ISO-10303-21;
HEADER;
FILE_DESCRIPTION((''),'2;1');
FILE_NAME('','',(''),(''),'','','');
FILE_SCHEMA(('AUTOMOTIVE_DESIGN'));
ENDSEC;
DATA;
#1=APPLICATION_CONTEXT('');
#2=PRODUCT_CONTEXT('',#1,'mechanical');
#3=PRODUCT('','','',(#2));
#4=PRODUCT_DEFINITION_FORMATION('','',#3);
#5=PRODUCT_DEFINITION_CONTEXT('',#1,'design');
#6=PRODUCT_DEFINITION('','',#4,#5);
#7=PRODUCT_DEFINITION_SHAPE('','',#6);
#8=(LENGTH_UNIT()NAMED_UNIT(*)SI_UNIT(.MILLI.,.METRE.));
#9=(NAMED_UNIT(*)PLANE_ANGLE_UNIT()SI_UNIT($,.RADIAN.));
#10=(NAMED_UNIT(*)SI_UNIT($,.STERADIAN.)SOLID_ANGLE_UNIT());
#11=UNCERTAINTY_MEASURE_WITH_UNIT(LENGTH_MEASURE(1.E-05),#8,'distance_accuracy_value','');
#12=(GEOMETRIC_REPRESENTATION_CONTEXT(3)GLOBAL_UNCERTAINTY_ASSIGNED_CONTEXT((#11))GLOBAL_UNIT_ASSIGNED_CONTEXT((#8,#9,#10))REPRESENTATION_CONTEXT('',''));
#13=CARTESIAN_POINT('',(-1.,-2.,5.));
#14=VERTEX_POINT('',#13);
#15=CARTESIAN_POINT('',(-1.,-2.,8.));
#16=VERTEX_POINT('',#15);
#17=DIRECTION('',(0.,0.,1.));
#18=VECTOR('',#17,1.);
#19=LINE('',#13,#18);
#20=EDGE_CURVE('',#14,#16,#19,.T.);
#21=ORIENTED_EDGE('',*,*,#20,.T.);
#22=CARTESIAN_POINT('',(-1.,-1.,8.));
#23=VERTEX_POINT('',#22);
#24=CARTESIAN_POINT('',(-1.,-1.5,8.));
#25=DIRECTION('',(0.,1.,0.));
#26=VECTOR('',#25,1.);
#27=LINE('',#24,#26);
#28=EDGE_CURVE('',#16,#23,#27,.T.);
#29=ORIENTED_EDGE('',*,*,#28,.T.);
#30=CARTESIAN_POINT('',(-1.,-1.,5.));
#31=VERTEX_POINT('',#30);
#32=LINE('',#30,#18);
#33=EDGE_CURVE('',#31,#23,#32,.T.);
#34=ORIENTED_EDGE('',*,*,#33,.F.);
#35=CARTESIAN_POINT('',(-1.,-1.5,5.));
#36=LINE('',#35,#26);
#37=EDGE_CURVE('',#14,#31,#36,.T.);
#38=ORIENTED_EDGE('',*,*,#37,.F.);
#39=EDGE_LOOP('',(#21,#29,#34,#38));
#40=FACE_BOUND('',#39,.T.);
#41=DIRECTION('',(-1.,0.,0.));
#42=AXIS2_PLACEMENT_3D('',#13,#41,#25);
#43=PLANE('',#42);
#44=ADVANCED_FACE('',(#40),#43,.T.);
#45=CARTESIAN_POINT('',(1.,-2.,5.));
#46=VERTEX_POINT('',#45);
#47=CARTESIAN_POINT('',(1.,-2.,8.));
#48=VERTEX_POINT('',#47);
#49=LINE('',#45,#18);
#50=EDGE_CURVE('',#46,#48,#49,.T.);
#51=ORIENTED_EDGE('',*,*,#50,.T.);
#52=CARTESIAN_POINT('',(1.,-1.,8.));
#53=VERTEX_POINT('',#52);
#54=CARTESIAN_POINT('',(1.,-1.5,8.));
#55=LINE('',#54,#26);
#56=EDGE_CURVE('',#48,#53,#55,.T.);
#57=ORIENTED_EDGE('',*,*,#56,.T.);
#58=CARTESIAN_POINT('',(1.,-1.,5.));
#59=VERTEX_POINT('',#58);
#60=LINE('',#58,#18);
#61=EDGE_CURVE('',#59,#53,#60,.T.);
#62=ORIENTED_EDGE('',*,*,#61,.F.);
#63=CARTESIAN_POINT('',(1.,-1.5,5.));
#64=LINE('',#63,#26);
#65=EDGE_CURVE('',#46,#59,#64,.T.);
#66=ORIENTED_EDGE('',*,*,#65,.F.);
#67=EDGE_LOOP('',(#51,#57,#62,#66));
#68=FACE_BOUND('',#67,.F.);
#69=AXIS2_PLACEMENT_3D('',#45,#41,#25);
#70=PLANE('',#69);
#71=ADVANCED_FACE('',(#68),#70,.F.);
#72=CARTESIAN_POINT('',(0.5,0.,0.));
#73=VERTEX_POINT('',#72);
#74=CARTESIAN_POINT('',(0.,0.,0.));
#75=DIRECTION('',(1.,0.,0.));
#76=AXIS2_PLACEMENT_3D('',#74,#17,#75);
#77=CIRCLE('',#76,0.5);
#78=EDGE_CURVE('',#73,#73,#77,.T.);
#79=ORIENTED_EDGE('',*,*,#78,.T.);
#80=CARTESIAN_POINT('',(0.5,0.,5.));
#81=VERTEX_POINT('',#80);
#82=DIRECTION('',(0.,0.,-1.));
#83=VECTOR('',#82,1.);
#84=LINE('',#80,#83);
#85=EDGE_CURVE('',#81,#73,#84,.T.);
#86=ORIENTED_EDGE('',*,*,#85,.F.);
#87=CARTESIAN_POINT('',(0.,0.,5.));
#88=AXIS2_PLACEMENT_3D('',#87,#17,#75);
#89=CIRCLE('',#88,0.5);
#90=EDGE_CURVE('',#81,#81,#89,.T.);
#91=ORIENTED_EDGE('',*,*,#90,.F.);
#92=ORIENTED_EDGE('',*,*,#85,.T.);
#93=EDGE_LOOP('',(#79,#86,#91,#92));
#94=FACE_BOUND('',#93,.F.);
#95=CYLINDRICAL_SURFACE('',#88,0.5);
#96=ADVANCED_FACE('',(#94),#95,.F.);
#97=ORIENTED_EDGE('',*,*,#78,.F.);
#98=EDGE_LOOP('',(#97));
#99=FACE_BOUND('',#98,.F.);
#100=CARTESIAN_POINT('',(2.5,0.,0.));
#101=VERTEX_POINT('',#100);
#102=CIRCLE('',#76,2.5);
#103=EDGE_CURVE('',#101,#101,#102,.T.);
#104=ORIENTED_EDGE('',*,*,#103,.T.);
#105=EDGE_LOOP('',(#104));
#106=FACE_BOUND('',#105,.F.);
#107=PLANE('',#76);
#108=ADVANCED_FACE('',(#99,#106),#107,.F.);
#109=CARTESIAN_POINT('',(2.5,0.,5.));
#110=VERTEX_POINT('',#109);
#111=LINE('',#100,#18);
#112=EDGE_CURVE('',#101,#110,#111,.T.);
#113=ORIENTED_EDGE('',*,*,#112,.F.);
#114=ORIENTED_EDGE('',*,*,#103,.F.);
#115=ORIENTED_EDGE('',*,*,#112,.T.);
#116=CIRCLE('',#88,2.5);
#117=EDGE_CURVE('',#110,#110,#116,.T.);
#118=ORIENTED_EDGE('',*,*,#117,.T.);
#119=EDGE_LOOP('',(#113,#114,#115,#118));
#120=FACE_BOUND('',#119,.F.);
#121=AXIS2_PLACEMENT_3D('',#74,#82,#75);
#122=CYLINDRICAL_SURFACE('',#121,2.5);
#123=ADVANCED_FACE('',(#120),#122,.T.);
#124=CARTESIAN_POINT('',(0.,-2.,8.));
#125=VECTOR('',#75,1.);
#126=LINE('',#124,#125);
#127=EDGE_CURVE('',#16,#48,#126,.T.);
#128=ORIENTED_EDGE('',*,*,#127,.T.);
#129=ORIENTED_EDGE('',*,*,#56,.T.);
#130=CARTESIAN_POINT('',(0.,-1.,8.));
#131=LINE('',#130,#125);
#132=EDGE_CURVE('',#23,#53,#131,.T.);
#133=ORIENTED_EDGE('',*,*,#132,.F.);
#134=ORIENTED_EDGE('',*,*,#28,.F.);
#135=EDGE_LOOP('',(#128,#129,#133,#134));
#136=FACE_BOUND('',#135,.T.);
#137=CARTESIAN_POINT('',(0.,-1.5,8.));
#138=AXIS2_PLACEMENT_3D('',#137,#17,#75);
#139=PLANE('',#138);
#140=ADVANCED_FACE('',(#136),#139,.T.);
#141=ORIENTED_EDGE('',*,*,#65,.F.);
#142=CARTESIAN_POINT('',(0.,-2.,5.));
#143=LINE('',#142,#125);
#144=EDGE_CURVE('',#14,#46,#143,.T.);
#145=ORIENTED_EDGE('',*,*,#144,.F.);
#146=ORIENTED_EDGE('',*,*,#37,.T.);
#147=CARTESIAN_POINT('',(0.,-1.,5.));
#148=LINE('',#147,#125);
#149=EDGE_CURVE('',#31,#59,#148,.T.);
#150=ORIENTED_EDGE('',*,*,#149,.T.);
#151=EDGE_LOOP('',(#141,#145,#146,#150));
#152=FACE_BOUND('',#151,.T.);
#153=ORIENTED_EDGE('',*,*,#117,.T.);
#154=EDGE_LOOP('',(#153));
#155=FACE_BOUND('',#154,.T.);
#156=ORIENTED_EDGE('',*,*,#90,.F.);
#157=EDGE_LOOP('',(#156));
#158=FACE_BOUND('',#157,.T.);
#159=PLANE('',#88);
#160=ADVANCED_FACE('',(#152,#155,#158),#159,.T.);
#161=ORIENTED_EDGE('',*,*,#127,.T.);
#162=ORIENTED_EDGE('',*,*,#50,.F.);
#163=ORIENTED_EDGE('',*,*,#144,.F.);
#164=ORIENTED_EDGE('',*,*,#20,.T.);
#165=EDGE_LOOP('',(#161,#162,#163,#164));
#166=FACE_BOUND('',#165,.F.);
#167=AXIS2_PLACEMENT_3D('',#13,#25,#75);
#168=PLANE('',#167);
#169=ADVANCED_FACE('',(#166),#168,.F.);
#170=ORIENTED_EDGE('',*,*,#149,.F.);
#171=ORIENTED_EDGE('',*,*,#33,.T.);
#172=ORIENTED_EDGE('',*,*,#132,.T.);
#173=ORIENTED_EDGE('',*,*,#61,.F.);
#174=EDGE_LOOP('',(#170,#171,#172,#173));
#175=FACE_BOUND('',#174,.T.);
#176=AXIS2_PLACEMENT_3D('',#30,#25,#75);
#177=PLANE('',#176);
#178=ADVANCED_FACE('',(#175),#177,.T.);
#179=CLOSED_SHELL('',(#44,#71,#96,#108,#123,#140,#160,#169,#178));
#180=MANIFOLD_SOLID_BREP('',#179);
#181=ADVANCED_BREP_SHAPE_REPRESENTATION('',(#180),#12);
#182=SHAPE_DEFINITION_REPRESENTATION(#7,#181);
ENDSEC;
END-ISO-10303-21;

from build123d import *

# Parameters (mm, degrees)
F0_R     = 2.5
F1_DEPTH = 5
F2_W     = 2
F2_H     = 1
F3_DEPTH = 3
F4_R     = 0.5
F5_DEPTH = 25


with BuildPart() as f1:
    # F0 (on Top) → F1 (new body)
    with BuildSketch(Plane.XY):
        Circle(F0_R)
    extrude(amount=F1_DEPTH)

    # F2 (on face) → F3 (join)
    with BuildSketch(Plane.XY.offset(5)):
        with Locations((0, -1.5)):
            Rectangle(F2_W, F2_H)
    extrude(amount=F3_DEPTH)

    # F4 (on face) → F5 (cut)
    with BuildSketch(Plane.XY.offset(5)):
        Circle(F4_R)
    extrude(amount=-F5_DEPTH, mode=Mode.SUBTRACT)


solid = f1.part
